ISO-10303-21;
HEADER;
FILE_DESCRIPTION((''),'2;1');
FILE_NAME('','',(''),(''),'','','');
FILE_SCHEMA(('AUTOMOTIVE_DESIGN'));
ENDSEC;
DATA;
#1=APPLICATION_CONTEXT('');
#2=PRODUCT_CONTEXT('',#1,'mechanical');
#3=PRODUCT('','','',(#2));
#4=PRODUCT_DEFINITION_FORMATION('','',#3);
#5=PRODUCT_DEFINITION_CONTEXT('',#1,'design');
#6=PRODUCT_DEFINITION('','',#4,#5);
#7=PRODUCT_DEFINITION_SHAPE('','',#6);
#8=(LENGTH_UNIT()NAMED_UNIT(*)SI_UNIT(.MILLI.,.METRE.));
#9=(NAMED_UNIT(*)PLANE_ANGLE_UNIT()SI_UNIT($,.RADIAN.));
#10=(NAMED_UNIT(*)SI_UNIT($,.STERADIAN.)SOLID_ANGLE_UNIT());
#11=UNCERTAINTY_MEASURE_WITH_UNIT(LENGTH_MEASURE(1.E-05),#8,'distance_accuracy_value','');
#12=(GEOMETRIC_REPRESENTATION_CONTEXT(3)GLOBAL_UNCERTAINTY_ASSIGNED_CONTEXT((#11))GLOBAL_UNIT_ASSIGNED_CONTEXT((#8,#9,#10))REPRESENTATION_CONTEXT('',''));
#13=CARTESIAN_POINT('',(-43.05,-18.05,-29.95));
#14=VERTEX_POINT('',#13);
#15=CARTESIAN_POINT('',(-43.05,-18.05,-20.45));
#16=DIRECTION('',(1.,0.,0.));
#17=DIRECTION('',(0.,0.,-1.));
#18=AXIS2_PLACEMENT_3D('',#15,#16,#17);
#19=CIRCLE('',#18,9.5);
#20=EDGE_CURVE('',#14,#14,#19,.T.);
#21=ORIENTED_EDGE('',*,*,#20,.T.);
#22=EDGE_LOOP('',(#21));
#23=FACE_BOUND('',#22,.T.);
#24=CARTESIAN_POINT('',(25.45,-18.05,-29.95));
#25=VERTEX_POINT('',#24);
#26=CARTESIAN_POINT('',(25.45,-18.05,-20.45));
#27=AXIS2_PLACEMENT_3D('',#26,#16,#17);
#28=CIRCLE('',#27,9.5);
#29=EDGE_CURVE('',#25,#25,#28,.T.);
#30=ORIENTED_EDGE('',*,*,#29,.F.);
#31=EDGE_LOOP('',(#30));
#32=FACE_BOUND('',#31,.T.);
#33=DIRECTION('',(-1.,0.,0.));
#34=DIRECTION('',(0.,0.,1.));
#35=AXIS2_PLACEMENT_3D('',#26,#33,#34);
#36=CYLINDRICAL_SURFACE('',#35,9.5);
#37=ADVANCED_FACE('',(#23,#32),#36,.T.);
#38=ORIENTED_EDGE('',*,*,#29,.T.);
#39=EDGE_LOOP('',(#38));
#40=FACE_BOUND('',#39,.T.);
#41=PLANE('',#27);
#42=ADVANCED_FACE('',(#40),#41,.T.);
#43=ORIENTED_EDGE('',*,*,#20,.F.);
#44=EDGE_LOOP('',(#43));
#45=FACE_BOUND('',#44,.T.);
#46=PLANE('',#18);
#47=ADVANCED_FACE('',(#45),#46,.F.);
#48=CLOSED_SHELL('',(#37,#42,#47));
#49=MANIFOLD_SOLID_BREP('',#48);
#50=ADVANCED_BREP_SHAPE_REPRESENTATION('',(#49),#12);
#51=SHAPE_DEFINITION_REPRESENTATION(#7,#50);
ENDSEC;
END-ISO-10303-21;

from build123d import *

# Parameters (mm, degrees)
CELL_SK1_R = 9.5
CELL_DEPTH = 68.5


with BuildPart() as part:
    # Cell_Sk1 → Cell (new body)
    with BuildSketch(Plane(origin=(-43.05, 0, 0), x_dir=(0, 0, -1), z_dir=(1, 0, 0))):
        with Locations((20.45, -18.05)):
            Circle(CELL_SK1_R)
    extrude(amount=CELL_DEPTH)


solid = part.part
